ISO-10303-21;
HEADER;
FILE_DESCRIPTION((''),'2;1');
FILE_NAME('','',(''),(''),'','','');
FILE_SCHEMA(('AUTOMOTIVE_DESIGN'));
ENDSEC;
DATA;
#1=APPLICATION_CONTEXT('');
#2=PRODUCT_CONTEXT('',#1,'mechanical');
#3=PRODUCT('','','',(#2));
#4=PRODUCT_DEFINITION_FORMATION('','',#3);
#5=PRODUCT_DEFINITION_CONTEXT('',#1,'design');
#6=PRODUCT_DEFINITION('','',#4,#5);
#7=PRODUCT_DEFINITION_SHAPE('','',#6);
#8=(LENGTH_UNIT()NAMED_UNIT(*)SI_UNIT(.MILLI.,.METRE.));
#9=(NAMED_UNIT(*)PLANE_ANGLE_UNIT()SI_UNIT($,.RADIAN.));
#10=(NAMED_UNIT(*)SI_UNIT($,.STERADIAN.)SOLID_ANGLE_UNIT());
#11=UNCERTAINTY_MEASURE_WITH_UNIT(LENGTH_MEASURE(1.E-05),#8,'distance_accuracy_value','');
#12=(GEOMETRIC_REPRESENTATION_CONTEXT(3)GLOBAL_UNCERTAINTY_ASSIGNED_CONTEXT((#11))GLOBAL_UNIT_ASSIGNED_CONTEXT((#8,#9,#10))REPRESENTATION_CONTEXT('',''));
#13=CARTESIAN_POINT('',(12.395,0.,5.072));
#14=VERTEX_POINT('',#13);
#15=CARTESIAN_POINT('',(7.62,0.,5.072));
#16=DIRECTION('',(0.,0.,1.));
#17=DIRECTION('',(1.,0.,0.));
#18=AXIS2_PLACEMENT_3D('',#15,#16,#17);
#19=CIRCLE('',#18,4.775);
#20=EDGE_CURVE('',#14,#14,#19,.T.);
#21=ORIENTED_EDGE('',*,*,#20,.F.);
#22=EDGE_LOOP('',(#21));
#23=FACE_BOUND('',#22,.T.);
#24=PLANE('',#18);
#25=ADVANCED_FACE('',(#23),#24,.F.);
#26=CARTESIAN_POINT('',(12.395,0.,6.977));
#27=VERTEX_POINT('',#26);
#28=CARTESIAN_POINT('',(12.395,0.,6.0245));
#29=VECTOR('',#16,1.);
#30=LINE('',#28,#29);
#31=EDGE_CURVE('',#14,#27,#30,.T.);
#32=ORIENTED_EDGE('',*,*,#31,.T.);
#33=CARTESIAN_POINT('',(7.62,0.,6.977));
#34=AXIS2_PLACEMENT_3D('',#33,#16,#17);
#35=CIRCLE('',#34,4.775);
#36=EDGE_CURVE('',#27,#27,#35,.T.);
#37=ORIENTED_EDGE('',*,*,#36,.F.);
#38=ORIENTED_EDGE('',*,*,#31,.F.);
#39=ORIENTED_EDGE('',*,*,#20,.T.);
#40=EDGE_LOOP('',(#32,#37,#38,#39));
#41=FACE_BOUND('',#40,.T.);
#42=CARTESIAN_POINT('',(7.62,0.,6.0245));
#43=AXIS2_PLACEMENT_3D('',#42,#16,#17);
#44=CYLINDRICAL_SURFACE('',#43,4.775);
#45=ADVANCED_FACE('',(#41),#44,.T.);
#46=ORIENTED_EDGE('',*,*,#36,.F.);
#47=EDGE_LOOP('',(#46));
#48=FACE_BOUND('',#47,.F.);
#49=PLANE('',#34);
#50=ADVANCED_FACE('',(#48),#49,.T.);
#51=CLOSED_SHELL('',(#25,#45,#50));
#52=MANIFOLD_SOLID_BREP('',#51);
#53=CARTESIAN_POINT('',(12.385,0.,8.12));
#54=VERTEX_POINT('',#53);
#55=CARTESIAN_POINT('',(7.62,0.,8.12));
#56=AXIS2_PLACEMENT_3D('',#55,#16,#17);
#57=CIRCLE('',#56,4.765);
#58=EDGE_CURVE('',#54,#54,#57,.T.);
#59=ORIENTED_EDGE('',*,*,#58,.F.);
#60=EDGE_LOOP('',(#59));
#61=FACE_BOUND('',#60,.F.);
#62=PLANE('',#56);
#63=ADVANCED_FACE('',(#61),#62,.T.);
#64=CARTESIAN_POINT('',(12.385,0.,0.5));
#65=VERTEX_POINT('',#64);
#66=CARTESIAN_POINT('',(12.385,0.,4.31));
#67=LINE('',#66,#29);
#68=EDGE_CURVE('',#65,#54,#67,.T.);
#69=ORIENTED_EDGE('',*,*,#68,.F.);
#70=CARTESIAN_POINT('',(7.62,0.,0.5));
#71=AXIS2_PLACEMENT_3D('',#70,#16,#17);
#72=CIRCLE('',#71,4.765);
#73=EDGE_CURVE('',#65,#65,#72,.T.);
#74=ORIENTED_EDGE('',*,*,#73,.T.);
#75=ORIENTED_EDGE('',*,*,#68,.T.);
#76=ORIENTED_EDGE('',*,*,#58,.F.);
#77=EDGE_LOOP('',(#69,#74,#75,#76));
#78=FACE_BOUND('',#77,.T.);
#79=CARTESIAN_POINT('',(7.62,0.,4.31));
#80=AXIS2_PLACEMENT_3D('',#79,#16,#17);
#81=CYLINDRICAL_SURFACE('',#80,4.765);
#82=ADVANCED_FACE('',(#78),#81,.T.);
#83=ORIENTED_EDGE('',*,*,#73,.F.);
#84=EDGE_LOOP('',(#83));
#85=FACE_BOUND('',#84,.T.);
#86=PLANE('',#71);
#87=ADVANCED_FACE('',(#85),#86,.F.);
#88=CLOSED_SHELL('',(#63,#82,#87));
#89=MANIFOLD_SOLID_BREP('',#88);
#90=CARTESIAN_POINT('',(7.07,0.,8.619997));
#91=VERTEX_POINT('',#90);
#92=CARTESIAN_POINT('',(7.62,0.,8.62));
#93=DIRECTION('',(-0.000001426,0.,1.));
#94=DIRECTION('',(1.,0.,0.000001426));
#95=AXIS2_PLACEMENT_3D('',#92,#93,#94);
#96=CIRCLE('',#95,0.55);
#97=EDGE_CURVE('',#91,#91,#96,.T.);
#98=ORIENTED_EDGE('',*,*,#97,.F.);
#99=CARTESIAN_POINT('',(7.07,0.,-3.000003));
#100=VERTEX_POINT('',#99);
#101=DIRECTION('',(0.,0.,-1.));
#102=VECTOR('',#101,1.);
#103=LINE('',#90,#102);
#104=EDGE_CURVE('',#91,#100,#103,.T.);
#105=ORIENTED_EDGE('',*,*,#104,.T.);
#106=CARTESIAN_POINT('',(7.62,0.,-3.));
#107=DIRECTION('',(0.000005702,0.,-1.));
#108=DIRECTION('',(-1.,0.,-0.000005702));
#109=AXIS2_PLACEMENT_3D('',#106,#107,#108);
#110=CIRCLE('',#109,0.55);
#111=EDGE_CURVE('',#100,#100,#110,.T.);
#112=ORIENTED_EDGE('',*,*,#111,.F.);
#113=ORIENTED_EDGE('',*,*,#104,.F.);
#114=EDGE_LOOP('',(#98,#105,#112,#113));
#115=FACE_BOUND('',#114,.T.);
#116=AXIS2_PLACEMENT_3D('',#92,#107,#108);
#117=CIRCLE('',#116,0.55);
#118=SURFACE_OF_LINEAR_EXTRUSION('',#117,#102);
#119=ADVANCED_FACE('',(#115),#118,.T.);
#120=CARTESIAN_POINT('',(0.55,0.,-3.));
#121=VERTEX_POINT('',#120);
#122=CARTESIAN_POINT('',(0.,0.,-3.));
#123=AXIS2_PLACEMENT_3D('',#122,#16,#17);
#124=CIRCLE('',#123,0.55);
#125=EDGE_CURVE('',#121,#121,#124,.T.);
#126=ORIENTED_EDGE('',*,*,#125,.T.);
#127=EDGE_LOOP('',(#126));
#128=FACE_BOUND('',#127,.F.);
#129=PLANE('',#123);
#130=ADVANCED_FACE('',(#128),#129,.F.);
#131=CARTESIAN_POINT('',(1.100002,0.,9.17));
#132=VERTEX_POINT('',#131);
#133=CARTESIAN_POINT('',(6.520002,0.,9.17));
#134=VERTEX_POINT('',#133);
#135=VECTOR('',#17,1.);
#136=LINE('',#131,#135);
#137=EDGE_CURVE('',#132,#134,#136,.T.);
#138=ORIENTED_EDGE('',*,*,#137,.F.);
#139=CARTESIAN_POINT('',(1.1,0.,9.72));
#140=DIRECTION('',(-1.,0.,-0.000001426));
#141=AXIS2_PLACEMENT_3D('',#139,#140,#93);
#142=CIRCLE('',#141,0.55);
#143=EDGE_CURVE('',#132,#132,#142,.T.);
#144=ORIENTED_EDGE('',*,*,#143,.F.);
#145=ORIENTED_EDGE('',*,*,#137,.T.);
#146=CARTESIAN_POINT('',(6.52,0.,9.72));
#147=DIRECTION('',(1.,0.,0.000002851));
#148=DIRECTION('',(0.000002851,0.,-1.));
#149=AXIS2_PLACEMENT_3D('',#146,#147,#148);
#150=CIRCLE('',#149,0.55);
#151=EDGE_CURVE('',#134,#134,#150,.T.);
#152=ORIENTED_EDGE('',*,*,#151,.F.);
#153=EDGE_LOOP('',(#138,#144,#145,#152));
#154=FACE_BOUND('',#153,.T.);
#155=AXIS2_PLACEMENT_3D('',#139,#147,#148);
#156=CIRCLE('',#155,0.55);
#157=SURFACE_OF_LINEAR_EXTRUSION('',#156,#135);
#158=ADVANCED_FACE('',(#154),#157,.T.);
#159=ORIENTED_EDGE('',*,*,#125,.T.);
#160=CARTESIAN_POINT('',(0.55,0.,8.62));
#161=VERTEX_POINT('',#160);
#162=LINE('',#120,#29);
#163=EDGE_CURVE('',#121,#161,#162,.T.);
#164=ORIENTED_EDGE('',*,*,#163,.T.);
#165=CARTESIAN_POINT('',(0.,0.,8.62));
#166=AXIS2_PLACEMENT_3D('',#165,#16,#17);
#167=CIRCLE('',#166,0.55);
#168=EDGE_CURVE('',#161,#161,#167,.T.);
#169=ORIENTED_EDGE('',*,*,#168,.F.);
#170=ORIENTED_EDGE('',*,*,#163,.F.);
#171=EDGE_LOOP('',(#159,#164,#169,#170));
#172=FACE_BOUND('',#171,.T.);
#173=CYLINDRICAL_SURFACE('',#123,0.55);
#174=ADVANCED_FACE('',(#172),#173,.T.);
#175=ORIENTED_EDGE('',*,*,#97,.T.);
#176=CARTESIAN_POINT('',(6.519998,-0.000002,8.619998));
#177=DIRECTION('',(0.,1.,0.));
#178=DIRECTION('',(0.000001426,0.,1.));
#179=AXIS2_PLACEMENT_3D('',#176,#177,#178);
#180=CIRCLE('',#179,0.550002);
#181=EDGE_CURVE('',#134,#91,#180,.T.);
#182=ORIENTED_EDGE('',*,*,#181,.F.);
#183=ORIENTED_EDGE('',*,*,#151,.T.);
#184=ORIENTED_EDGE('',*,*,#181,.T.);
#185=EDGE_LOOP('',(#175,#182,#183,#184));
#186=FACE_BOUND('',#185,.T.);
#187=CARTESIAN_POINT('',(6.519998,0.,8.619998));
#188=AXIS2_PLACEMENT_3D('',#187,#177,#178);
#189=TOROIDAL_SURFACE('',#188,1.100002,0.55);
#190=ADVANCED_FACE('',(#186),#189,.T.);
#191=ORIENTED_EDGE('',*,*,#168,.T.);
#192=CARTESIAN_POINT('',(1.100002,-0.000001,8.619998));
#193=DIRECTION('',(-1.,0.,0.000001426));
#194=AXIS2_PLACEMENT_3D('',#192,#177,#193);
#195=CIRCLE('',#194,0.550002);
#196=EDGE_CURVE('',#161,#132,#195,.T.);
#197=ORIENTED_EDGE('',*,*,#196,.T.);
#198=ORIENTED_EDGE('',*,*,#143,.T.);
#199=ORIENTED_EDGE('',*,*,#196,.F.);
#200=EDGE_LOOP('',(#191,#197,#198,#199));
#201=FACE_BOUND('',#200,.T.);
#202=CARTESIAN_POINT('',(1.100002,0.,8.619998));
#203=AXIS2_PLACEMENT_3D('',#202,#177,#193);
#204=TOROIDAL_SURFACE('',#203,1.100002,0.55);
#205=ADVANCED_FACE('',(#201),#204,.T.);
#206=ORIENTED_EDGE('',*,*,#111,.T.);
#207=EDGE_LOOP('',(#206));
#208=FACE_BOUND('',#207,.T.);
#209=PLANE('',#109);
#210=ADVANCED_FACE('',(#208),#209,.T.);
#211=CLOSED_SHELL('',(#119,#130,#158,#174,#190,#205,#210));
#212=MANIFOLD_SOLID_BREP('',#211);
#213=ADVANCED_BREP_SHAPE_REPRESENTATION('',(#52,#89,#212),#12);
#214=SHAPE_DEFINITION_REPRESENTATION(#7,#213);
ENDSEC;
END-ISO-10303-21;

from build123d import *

# Parameters (mm, degrees)
SKETCH001_R = 0.55
SKETCH002_W = 4.765
SKETCH002_H = 7.62
SKETCH003_W = 4.775
SKETCH003_H = 1.905


with BuildPart() as sweep_body:
    # Sweep: sweep along a path in Sketch
    with BuildLine(Plane.XZ) as sweep_path:
        Line((0, -3), (0, 8.62))
        ThreePointArc((0, 8.62), (0.322183, 9.397817), (1.1, 9.72))
        Line((1.1, 9.72), (6.52, 9.72))
        ThreePointArc((6.52, 9.72), (7.297817, 9.397817), (7.62, 8.62))
        Line((7.62, 8.62), (7.62, -3))
    # Sketch001 → Sweep (sweep)
    with BuildSketch(Plane.XY):
        Circle(SKETCH001_R)
    sweep(path=sweep_path.line)


with BuildPart() as revolution:
    # Sketch002 → Revolution (revolve)
    with BuildSketch(Plane.XZ):
        with Locations((10.0025, 4.31)):
            Rectangle(SKETCH002_W, SKETCH002_H)
    revolve(axis=Axis((7.62, 0, 0.5), (0, 0, 1)))


with BuildPart() as revolution001:
    # Sketch003 → Revolution001 (revolve)
    with BuildSketch(Plane.XZ):
        with Locations((10.0075, 6.0245)):
            Rectangle(SKETCH003_W, SKETCH003_H)
    revolve(axis=Axis((7.62, 0, 5.072), (0, 0, 1)))


solid = Compound([sweep_body.part, revolution.part, revolution001.part])
